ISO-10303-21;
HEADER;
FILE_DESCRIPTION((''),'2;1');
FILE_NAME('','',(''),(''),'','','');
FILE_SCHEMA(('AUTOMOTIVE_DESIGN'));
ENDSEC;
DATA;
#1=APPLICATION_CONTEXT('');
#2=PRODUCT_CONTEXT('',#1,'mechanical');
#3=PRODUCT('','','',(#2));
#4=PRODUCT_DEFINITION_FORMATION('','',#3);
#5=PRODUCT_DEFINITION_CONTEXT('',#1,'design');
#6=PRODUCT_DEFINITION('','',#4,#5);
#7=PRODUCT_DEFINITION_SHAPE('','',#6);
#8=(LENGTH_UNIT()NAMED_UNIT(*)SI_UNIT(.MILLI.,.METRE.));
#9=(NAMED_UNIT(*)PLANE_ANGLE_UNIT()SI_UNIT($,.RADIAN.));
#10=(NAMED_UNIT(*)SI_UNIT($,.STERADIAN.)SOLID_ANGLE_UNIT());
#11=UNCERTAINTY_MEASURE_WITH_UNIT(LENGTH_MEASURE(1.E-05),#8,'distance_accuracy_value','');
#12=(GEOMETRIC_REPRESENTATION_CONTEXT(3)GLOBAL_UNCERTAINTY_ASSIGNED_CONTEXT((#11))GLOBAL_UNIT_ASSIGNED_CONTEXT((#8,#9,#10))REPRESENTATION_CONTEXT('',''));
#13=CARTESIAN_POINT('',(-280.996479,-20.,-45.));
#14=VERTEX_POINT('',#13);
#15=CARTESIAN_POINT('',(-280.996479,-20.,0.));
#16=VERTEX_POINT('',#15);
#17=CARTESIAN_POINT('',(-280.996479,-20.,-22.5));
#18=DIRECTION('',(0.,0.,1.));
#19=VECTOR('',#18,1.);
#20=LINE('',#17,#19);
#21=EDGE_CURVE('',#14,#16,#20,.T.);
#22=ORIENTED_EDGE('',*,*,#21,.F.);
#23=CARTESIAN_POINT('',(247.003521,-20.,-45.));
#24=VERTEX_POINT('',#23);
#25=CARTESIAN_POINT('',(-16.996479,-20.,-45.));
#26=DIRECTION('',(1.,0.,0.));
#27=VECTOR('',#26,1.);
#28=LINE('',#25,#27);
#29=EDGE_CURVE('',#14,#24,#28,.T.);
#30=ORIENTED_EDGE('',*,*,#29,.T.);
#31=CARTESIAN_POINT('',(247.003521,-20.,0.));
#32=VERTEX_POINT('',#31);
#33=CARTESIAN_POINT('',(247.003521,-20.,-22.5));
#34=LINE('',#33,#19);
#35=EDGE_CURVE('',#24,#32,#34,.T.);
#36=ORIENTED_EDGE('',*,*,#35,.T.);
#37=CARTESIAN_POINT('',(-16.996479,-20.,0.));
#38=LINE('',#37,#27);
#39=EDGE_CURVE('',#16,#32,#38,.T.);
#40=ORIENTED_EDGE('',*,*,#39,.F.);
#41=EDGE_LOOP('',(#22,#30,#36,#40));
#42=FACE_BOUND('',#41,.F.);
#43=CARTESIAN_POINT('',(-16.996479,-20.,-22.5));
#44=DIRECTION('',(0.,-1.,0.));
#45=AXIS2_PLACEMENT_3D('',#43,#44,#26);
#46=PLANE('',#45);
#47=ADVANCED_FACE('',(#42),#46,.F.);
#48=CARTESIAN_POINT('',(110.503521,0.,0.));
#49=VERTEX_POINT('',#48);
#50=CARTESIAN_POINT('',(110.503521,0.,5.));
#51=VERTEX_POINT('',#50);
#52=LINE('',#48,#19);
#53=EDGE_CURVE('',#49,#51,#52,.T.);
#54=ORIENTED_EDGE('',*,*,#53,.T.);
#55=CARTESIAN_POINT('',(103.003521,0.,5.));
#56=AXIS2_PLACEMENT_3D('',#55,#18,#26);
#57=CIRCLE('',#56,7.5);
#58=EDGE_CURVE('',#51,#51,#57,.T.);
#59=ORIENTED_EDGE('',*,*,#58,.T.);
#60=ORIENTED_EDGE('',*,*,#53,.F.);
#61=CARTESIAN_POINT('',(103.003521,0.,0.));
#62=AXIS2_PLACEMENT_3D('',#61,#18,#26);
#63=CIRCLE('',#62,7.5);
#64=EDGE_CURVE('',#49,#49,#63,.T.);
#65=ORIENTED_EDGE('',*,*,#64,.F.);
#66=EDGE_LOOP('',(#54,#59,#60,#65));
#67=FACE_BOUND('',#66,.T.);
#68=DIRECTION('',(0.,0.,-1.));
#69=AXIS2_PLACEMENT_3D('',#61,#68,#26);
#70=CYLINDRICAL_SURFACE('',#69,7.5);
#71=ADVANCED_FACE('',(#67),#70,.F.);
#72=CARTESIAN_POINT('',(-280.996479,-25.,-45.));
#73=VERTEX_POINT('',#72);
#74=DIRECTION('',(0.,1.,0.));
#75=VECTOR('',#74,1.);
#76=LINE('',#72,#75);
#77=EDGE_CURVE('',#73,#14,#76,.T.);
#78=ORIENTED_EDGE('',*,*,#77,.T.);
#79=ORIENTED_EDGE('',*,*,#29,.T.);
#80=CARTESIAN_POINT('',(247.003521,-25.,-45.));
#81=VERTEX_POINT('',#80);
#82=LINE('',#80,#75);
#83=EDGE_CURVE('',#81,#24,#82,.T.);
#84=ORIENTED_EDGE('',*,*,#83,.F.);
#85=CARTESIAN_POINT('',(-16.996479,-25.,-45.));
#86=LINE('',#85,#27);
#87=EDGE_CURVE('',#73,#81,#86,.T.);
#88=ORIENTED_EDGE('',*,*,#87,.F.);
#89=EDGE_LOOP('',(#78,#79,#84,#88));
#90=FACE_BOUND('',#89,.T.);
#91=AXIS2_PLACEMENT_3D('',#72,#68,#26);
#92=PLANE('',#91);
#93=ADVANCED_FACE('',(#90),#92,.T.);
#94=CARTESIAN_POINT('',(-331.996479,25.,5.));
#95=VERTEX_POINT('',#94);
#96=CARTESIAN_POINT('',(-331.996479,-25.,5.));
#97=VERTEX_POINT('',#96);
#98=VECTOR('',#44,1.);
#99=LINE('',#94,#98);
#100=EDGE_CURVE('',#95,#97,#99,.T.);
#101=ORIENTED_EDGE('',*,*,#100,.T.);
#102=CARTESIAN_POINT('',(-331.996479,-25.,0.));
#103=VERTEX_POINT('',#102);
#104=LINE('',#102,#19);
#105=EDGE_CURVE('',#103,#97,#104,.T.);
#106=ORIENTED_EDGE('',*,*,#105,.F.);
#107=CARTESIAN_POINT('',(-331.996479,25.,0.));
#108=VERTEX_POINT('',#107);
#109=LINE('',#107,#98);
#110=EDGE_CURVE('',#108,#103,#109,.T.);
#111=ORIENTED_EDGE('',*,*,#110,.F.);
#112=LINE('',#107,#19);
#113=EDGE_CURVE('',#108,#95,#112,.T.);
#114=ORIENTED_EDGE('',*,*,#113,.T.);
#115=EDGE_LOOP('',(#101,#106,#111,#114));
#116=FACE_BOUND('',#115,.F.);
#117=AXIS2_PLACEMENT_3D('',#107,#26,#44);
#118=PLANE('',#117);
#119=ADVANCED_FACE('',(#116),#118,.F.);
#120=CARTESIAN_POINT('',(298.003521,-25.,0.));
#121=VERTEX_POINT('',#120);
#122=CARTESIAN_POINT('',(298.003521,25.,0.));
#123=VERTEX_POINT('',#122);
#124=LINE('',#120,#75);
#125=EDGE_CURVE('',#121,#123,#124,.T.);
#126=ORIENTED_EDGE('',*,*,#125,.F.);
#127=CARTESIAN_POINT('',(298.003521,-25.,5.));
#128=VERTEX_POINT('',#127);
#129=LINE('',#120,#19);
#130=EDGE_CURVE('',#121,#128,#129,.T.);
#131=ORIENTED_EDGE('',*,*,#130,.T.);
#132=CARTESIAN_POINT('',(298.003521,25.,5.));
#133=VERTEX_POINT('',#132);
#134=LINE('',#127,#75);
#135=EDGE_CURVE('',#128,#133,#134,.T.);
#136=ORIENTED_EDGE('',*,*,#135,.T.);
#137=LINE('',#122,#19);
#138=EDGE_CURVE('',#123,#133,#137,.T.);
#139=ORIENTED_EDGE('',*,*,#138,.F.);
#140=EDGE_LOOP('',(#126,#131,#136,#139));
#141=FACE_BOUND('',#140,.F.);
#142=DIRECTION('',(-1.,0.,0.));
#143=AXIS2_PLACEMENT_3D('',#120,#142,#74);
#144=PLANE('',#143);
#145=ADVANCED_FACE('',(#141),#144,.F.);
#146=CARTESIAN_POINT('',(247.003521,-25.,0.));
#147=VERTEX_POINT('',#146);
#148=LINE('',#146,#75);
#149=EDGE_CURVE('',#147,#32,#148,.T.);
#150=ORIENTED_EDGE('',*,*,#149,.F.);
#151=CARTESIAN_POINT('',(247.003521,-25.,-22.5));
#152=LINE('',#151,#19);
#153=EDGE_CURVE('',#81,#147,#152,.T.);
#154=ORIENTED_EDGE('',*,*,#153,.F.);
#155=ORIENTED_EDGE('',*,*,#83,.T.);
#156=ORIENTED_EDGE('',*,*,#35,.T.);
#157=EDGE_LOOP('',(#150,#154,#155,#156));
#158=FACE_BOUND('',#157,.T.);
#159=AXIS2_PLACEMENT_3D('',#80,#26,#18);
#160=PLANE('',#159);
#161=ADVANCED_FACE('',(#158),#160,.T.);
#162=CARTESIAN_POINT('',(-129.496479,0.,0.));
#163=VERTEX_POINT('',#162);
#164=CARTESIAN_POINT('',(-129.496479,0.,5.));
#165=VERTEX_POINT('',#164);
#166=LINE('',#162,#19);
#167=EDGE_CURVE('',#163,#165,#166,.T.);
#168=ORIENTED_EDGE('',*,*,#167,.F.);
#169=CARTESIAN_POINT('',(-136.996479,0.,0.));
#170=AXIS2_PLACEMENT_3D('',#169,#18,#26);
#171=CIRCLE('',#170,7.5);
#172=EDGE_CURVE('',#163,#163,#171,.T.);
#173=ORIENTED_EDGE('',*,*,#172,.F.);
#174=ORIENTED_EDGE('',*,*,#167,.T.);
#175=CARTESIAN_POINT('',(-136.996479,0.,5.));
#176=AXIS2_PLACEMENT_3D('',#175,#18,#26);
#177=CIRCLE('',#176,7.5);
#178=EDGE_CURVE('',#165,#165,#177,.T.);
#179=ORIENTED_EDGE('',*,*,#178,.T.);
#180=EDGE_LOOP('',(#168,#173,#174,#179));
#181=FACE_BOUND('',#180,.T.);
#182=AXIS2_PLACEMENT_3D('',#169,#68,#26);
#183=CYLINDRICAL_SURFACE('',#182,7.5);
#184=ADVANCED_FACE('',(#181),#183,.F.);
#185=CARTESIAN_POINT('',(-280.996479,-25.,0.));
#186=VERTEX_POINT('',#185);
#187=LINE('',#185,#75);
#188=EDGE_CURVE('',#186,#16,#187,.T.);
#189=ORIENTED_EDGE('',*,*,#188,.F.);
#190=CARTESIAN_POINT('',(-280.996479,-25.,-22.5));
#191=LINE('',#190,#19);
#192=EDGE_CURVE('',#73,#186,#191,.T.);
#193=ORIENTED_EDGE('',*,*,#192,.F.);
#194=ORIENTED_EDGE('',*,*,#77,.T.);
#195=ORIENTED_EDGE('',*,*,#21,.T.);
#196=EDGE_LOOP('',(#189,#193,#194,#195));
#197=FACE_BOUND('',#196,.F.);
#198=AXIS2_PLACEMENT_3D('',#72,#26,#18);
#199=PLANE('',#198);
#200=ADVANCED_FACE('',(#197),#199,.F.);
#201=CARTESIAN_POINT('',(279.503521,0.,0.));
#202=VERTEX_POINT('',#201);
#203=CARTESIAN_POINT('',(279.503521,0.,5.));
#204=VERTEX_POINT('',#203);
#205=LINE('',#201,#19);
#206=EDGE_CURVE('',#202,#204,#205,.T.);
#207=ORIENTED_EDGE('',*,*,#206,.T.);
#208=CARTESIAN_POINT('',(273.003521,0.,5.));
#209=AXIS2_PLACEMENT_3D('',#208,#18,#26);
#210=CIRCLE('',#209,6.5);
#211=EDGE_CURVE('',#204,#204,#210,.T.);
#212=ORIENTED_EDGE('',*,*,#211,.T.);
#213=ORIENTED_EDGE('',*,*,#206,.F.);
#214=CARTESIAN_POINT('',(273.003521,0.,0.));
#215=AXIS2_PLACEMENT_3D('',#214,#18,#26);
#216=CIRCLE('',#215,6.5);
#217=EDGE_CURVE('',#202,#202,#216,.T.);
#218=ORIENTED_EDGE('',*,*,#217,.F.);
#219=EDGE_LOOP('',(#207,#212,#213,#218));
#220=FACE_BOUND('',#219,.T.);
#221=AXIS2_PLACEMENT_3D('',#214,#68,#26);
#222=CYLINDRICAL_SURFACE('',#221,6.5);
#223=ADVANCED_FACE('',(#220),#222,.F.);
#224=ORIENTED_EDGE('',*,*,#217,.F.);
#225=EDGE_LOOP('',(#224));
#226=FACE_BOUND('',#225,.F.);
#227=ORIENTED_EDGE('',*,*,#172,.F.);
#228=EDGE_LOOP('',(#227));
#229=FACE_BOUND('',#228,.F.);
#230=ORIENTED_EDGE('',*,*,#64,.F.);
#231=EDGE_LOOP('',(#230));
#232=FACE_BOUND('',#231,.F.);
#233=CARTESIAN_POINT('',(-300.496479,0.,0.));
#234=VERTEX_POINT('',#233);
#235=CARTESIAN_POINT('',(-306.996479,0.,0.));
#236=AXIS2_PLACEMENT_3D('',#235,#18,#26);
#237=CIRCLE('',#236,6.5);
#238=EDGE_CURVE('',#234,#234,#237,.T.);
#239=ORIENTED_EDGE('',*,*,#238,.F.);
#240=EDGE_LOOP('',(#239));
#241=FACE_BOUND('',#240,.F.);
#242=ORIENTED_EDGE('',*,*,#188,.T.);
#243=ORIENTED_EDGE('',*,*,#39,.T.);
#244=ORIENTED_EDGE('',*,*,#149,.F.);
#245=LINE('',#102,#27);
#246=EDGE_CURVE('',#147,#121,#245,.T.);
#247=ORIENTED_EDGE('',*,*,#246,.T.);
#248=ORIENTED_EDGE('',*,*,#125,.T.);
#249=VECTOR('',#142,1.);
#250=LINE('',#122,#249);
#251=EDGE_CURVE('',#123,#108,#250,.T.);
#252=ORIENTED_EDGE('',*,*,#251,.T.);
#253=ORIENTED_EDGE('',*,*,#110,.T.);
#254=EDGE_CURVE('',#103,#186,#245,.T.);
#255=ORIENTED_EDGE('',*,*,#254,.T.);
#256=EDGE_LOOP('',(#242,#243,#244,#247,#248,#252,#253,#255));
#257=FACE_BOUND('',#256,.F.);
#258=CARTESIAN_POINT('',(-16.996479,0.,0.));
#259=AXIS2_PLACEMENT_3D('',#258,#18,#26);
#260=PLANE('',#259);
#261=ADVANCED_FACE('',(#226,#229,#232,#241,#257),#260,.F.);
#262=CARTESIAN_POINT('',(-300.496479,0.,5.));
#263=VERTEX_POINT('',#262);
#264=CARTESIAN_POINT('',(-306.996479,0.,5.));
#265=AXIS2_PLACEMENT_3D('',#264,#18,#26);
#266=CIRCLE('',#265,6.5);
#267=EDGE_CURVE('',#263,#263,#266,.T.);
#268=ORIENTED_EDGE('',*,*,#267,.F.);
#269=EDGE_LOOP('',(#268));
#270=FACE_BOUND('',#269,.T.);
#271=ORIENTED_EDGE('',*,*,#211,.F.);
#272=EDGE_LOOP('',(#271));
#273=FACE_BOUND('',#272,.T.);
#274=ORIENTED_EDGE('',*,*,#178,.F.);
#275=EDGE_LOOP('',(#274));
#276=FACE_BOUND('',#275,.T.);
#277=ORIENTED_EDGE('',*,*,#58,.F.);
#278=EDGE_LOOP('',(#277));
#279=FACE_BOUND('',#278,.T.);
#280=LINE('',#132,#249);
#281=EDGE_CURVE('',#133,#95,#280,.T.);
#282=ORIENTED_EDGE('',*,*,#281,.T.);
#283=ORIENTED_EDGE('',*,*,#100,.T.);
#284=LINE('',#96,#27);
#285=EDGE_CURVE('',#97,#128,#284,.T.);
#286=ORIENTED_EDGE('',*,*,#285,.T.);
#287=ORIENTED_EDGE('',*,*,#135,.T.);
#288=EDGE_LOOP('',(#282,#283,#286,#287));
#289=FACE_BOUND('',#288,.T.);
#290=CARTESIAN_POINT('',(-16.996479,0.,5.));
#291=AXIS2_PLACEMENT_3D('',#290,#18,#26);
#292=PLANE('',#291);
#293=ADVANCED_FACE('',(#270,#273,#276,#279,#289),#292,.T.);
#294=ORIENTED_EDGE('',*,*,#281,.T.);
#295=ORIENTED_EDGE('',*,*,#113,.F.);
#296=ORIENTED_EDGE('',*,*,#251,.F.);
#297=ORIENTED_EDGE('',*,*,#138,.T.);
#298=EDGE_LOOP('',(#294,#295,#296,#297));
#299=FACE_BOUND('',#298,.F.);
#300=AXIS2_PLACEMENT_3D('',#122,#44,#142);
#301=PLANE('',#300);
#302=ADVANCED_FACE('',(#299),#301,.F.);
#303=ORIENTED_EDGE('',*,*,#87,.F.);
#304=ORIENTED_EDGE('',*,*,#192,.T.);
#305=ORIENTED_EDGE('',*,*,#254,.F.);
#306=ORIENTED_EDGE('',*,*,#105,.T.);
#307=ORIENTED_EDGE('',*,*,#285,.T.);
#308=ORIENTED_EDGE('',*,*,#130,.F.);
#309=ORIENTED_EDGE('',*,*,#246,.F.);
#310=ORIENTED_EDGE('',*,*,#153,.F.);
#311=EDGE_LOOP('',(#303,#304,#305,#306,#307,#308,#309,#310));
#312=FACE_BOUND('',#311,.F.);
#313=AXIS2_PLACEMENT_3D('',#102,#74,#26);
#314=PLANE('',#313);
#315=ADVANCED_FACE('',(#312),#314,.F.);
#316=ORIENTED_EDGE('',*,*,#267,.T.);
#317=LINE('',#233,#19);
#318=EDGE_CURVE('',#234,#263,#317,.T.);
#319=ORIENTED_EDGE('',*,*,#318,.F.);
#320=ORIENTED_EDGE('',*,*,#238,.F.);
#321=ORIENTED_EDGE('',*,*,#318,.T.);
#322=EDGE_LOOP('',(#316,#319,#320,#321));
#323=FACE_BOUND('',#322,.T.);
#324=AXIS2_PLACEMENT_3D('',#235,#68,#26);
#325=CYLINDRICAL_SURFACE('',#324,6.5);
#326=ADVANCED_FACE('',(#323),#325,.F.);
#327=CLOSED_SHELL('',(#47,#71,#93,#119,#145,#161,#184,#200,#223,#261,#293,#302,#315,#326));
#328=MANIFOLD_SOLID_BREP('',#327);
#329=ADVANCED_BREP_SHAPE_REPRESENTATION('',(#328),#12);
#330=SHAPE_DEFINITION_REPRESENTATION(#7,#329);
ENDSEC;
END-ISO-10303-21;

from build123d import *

# Parameters (mm, degrees)
F0_R     = 6.5
F0_R_2   = 7.5
F1_DEPTH = 5
F2_W     = 528
F2_H     = 45
F3_DEPTH = 5


with BuildPart() as f1:
    # F0 (on Top) → F1 (new body)
    with BuildSketch(Plane.XY):
        Polygon((298.003521, 25), (-331.996479, 25), (-331.996479, -25), (-280.996479, -25), (247.003521, -25), (298.003521, -25), align=None)
        with Locations((-306.996479, 0)):
            Circle(F0_R, mode=Mode.SUBTRACT)
        with Locations((-136.996479, 0)):
            Circle(F0_R_2, mode=Mode.SUBTRACT)
        with Locations((103.003521, 0)):
            Circle(F0_R_2, mode=Mode.SUBTRACT)
        with Locations((273.003521, 0)):
            Circle(F0_R, mode=Mode.SUBTRACT)
    extrude(amount=F1_DEPTH)

    # F2 (on face) → F3 (join)
    with BuildSketch(Plane.XZ.offset(25)):
        with Locations((-16.996479, -22.5)):
            Rectangle(F2_W, F2_H)
    extrude(amount=-F3_DEPTH)


solid = f1.part
